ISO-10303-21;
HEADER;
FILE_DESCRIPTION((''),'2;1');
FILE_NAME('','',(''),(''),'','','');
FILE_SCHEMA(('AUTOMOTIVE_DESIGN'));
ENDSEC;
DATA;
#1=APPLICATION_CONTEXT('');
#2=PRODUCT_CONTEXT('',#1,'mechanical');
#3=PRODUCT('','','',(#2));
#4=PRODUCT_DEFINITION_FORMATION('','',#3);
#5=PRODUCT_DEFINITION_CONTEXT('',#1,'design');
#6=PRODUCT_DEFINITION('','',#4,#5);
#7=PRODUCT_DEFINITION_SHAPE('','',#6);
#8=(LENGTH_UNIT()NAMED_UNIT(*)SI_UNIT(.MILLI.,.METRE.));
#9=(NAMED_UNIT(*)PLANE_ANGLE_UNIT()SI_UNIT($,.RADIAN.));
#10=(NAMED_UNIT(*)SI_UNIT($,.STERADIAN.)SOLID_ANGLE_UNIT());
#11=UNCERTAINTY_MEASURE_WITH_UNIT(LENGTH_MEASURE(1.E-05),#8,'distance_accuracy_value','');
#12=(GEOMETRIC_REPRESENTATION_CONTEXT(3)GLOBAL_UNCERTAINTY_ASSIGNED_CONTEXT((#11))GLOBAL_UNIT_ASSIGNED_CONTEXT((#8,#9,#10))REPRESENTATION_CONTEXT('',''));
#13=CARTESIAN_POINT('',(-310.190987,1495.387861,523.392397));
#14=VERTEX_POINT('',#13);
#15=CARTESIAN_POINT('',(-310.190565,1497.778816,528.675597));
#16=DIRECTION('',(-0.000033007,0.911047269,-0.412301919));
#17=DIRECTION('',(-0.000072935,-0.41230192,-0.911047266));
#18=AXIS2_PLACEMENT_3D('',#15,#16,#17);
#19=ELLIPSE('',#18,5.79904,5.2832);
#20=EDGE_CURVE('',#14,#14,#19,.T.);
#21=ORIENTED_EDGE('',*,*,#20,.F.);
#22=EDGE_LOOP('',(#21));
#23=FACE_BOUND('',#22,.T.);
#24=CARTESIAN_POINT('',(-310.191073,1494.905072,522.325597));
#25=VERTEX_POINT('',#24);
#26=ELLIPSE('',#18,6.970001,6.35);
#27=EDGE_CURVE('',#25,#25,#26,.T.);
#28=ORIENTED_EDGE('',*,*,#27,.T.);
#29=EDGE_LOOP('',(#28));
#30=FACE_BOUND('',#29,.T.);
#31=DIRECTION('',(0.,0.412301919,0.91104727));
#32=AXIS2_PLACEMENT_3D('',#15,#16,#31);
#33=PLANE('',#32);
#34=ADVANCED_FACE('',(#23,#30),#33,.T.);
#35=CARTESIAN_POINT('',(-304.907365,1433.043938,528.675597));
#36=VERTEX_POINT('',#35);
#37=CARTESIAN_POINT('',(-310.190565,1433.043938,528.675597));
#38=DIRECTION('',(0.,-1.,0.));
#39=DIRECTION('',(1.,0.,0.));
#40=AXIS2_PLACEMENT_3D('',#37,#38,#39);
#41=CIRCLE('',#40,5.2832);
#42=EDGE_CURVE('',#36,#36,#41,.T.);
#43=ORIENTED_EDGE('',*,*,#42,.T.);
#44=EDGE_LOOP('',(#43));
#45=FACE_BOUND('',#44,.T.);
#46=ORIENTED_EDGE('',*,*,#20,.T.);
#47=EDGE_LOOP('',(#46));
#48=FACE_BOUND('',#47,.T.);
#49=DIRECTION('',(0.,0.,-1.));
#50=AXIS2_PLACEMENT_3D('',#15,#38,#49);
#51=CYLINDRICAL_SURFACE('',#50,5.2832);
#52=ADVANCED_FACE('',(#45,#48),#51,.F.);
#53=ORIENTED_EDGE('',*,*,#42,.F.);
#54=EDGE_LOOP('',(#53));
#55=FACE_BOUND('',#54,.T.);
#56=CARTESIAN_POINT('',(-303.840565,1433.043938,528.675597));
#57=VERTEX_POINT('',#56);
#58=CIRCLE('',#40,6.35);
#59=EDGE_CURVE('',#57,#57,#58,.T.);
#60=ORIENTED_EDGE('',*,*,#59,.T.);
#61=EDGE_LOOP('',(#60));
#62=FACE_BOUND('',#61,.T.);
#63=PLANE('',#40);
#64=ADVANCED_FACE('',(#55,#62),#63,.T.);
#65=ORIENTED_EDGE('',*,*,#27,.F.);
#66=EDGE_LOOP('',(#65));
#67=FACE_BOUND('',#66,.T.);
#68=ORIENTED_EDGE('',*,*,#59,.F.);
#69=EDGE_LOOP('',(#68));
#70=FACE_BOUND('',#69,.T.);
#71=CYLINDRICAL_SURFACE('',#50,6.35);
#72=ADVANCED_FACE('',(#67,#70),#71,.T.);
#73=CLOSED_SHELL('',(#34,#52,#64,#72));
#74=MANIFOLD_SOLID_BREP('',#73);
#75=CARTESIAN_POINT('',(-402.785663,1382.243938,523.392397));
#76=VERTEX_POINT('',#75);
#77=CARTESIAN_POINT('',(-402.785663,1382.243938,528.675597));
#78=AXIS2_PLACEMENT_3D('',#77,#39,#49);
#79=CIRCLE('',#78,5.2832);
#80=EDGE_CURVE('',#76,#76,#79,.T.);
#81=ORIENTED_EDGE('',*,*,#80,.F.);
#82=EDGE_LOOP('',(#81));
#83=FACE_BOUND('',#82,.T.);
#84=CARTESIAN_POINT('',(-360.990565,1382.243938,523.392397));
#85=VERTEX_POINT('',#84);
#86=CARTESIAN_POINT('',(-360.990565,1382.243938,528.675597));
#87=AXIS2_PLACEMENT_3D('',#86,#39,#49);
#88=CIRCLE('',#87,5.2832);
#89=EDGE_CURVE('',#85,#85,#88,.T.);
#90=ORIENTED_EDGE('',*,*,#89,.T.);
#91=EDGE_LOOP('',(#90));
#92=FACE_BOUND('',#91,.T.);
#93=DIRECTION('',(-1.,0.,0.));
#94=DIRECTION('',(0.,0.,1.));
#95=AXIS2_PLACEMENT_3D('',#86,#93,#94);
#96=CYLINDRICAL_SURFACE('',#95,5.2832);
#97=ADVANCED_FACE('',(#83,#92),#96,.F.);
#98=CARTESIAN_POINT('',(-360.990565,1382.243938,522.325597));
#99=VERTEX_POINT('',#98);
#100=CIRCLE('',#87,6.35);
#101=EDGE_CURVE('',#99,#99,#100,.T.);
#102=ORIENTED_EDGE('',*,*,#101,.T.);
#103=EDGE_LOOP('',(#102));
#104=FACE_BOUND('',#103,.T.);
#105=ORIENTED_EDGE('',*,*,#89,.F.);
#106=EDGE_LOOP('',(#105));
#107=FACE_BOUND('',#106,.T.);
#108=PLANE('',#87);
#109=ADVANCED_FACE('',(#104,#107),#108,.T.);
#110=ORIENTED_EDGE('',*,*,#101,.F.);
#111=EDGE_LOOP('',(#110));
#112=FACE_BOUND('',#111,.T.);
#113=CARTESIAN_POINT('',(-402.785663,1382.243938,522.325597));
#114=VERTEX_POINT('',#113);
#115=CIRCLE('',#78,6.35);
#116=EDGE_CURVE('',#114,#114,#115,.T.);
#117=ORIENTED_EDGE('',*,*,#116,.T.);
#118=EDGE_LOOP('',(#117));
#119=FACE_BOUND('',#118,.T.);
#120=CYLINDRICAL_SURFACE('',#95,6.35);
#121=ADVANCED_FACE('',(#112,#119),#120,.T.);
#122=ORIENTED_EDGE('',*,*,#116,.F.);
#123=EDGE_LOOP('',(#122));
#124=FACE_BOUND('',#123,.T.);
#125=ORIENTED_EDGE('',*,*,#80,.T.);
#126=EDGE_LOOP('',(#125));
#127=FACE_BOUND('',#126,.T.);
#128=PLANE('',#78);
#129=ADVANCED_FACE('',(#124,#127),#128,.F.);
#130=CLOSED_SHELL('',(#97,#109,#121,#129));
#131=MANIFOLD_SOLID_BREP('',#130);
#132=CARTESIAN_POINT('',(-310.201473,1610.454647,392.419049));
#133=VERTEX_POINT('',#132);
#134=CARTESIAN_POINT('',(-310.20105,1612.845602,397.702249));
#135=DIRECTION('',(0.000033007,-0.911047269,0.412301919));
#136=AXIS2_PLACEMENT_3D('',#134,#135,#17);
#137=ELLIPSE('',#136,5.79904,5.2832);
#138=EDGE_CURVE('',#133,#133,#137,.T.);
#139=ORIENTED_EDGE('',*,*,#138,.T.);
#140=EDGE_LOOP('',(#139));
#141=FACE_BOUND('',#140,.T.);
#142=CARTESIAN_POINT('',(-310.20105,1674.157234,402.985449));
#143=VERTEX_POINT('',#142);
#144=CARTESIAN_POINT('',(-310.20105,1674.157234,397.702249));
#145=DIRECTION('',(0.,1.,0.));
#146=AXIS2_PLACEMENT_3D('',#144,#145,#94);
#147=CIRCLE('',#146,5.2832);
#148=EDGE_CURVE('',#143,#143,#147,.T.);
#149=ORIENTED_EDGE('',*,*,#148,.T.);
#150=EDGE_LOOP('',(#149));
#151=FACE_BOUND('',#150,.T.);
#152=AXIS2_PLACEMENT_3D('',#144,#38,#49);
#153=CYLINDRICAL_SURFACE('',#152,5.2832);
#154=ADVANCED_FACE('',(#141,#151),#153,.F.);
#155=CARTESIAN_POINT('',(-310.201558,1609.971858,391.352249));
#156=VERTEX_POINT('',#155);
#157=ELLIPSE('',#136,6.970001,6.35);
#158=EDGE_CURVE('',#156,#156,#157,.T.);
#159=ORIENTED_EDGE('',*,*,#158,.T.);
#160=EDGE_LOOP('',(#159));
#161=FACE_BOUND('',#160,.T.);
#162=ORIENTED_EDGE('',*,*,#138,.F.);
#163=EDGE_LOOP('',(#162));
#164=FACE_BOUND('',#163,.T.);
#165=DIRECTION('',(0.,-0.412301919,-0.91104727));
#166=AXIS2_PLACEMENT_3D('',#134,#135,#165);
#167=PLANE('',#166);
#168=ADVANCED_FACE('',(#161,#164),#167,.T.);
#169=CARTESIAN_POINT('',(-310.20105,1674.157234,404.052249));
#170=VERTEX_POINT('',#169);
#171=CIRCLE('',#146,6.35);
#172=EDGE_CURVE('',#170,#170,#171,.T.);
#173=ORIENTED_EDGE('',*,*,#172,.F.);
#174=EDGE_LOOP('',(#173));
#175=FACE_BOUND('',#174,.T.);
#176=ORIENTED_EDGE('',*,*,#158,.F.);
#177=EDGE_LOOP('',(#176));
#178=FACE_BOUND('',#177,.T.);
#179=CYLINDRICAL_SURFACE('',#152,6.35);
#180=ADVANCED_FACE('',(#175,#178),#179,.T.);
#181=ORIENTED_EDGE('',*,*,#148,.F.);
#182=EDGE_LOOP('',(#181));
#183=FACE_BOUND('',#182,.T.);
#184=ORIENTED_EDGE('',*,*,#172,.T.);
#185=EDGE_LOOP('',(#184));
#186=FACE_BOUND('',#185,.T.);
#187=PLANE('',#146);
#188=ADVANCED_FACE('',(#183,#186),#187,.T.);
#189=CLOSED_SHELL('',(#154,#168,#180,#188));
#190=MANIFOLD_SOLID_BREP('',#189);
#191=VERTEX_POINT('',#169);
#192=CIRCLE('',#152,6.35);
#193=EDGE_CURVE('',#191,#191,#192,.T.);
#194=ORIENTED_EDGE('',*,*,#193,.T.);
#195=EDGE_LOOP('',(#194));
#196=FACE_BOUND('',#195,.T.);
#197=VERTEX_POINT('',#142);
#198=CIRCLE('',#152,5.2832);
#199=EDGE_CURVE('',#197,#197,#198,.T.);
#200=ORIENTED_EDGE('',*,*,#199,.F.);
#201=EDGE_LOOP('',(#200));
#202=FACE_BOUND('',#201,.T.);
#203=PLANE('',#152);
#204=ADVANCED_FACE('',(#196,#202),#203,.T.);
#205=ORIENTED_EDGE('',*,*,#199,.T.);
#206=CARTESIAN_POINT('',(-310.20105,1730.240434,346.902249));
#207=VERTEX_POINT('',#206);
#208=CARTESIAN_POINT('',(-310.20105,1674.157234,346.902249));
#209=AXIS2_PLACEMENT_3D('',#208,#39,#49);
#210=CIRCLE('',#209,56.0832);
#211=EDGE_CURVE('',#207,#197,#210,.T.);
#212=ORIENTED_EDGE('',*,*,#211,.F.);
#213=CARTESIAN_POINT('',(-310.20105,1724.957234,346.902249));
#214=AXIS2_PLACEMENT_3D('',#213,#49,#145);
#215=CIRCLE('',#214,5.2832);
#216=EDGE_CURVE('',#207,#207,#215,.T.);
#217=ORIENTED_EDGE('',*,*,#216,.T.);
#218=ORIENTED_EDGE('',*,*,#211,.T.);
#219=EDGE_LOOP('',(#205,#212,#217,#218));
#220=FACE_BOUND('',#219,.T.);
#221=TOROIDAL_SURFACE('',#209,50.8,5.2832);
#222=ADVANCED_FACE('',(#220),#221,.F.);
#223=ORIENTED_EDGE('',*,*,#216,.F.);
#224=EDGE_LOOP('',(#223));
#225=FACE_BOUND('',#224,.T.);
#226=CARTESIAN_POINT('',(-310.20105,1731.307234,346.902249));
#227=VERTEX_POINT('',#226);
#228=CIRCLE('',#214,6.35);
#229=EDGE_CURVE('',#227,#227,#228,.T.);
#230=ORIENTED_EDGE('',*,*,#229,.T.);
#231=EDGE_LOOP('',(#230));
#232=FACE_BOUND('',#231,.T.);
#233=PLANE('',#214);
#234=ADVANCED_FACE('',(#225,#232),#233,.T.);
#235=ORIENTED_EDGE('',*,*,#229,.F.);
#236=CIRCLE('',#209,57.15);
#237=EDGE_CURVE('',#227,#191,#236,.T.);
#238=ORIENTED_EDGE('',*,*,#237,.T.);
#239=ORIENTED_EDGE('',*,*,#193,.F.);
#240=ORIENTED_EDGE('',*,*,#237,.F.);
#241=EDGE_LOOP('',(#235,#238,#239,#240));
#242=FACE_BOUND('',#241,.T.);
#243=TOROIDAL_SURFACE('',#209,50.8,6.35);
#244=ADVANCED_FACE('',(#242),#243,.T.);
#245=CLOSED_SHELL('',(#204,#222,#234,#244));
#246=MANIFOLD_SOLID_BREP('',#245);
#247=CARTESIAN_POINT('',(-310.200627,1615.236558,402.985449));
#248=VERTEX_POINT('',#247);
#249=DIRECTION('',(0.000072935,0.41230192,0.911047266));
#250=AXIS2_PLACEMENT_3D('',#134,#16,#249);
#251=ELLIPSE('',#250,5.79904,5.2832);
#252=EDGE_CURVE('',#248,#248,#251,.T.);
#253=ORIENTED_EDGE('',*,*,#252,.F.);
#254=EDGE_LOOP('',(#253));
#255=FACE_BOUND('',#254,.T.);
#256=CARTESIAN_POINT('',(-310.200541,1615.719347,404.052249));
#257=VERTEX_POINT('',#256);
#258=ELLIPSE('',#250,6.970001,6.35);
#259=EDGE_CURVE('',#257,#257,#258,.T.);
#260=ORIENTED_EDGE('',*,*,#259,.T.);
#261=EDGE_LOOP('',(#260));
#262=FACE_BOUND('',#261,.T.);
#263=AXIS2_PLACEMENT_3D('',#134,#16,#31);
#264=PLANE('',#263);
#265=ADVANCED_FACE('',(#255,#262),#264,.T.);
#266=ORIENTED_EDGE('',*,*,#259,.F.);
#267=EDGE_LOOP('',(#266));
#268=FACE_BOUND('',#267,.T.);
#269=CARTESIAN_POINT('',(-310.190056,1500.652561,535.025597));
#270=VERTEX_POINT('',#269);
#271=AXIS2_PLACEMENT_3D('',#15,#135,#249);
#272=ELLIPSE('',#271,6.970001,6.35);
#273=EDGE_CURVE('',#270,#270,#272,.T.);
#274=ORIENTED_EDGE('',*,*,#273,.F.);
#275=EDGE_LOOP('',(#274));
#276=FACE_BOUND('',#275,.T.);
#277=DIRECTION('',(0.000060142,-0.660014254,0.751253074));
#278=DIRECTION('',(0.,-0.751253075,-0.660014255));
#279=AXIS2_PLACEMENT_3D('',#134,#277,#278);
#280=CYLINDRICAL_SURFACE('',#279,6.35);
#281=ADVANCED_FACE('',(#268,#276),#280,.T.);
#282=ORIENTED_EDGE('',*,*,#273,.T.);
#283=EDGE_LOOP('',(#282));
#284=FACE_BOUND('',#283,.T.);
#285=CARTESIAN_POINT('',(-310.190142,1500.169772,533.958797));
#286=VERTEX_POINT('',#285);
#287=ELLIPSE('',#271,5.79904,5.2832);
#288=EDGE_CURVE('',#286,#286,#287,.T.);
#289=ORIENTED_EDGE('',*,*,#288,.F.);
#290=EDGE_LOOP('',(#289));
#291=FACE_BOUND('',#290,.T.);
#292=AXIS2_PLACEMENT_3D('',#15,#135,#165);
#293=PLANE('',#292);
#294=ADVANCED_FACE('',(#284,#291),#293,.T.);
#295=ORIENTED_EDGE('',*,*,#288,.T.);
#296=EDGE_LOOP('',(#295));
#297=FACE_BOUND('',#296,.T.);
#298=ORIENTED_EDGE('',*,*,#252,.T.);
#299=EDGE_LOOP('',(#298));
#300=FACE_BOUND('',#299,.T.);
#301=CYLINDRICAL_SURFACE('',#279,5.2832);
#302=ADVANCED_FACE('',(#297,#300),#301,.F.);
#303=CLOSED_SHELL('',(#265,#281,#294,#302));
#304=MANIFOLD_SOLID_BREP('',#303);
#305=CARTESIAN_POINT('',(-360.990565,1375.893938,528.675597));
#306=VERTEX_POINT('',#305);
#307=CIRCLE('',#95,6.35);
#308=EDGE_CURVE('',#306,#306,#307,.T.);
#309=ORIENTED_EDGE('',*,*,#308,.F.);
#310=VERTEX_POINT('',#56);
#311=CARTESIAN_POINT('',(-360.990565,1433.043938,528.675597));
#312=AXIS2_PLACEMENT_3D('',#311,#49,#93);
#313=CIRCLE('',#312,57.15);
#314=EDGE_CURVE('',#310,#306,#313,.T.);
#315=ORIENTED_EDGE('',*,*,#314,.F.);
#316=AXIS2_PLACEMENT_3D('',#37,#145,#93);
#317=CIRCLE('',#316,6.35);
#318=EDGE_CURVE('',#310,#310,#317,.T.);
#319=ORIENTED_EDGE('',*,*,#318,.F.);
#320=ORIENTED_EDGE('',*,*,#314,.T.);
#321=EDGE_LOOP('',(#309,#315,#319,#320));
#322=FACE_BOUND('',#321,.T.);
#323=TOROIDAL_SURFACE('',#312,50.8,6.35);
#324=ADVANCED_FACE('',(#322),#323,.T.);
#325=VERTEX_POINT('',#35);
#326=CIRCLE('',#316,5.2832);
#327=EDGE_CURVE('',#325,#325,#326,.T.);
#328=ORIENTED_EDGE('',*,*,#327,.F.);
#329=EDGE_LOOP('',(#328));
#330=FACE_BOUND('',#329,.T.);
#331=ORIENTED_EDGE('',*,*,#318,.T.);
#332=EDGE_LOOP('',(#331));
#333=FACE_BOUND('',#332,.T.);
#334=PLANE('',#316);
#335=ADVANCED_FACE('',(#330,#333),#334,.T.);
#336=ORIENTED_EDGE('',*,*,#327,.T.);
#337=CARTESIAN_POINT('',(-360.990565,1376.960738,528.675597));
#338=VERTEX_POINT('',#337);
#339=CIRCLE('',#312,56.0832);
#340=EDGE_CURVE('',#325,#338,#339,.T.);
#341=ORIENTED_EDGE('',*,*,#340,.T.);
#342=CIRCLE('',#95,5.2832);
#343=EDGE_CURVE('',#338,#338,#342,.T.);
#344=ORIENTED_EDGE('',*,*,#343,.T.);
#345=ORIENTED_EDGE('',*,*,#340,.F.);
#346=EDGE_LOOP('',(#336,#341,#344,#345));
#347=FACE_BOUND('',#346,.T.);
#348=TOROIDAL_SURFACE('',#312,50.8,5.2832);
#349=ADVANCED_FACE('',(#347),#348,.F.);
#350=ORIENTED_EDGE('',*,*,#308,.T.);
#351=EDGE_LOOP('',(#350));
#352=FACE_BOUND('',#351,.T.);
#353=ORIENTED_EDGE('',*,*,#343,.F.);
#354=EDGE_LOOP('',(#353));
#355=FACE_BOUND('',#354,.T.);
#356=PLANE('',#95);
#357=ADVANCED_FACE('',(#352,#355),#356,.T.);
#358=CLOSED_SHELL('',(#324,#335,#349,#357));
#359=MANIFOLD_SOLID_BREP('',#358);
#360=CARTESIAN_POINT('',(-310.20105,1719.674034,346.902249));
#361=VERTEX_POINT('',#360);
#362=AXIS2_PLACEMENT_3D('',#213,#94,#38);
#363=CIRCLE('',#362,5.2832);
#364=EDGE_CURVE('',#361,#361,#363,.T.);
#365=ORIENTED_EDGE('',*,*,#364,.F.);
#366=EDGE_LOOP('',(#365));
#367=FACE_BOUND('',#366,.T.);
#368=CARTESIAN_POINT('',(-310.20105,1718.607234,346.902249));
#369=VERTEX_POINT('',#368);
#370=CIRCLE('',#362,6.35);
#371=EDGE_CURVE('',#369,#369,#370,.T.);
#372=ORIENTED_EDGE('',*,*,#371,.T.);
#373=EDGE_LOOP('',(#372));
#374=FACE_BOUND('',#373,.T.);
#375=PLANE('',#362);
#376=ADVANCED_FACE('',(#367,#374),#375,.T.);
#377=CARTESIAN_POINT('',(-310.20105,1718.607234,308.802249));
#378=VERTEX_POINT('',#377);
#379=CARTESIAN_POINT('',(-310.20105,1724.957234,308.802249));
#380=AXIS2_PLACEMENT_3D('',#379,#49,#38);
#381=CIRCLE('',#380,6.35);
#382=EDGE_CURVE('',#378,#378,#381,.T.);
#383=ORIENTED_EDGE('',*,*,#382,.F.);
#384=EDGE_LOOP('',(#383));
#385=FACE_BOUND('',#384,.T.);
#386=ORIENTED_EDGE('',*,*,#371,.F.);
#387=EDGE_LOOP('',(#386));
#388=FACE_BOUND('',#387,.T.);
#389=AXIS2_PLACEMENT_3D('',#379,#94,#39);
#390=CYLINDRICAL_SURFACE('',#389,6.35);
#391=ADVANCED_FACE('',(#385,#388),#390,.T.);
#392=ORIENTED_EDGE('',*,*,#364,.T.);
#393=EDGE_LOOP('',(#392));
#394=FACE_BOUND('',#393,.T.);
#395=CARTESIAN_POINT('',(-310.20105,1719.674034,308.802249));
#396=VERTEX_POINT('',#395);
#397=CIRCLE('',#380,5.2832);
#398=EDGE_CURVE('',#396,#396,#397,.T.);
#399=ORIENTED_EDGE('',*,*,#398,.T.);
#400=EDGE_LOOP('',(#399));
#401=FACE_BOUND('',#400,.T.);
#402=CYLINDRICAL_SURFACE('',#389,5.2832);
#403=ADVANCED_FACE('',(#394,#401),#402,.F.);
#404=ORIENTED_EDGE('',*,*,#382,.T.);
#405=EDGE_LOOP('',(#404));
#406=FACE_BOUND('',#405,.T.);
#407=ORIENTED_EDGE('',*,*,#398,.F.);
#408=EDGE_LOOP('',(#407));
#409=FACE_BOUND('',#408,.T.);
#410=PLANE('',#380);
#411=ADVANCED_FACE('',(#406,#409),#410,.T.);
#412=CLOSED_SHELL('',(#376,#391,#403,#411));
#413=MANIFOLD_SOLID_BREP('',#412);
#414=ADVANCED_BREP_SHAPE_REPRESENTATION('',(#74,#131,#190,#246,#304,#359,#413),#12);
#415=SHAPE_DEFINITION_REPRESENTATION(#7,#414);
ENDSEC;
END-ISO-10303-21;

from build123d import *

# Parameters (mm, degrees)
SKETCH1_R                 = 6.35
SKETCH1_R_2               = 5.2832
PIPE_0_5_SCH_40_1_DEPTH   = 41.795098371
SKETCH1_ON_SEGMENT_2_R    = 6.35
SKETCH1_ON_SEGMENT_2_R_2  = 5.2832
PIPE_0_5_SCH_40_1_2_ANGLE = 90
SKETCH1_ON_SEGMENT_3_R    = 6.35
SKETCH1_ON_SEGMENT_3_R_2  = 5.2832
PIPE_0_5_SCH_40_1_3_DEPTH = 69.79896702
SKETCH1_ON_SEGMENT_4_R    = 6.35
SKETCH1_ON_SEGMENT_4_R_2  = 5.2832
PIPE_0_5_SCH_40_1_4_DEPTH = 184.468027015
SKETCH1_ON_SEGMENT_5_R    = 6.35
SKETCH1_ON_SEGMENT_5_R_2  = 5.2832
PIPE_0_5_SCH_40_1_5_DEPTH = 66.375720213
SKETCH1_ON_SEGMENT_6_R    = 6.35
SKETCH1_ON_SEGMENT_6_R_2  = 5.2832
PIPE_0_5_SCH_40_1_6_ANGLE = 90
SKETCH1_ON_SEGMENT_7_R    = 6.35
SKETCH1_ON_SEGMENT_7_R_2  = 5.2832
PIPE_0_5_SCH_40_1_7_DEPTH = 38.1


with BuildPart() as part:
    # Sketch1 → Pipe 0.5 SCH 40(1) (new body)
    with BuildSketch(Plane(origin=(-402.785662915, 1382.243937985, 528.675597351), x_dir=(0, 0, -1), z_dir=(1, 0, 0))):
        Circle(SKETCH1_R)
        Circle(SKETCH1_R_2, mode=Mode.SUBTRACT)
    extrude(amount=PIPE_0_5_SCH_40_1_DEPTH)


with BuildPart() as body_2:
    # Sketch1 on segment 2 (carried to the start of arc 2) → Pipe 0.5 SCH 40_1 2 (revolve)
    with BuildSketch(Plane(origin=(-360.990564544, 1382.243937985, 528.675597351), x_dir=(0, 0, -1), z_dir=(1, 0, 0))):
        Circle(SKETCH1_ON_SEGMENT_2_R)
        Circle(SKETCH1_ON_SEGMENT_2_R_2, mode=Mode.SUBTRACT)
    revolve(axis=Axis((-360.990564544, 1433.043937985, 528.675597351), (0, 0, 1)), revolution_arc=PIPE_0_5_SCH_40_1_2_ANGLE)


with BuildPart() as body_3:
    # Sketch1 on segment 3 (carried to segment 3) → Pipe 0.5 SCH 40_1 3 (new body)
    with BuildSketch(Plane(origin=(-310.190564544, 1433.043937985, 528.675597351), x_dir=(0, 0, -1), z_dir=(0, 1, 0))):
        Circle(SKETCH1_ON_SEGMENT_3_R)
        Circle(SKETCH1_ON_SEGMENT_3_R_2, mode=Mode.SUBTRACT)
    extrude(amount=PIPE_0_5_SCH_40_1_3_DEPTH)

    # Pipe 0.5 SCH 40_1 3 mitre 1
    split(bisect_by=Plane(origin=(-310.190564544, 1497.778816385, 528.675597351), x_dir=(0.999999999, 3.623e-05, 0), z_dir=(3.3007e-05, -0.911047269, 0.412301919)), keep=Keep.TOP)


with BuildPart() as body_4:
    # Sketch1 on segment 4 (carried to segment 4) → Pipe 0.5 SCH 40_1 4 (new body)
    with BuildSketch(Plane(origin=(-310.190259977, 1494.436445714, 532.480009494), x_dir=(-0.751253074, -0.49586756, -0.435584873), z_dir=(-6.0142e-05, 0.660014254, -0.751253074))):
        Circle(SKETCH1_ON_SEGMENT_4_R)
        Circle(SKETCH1_ON_SEGMENT_4_R_2, mode=Mode.SUBTRACT)
    extrude(amount=PIPE_0_5_SCH_40_1_4_DEPTH)

    # Pipe 0.5 SCH 40_1 4 mitre 1
    split(bisect_by=Plane(origin=(-310.190564544, 1497.778816385, 528.675597351), x_dir=(-0.999999999, -3.623e-05, 0), z_dir=(-3.3007e-05, 0.911047269, -0.412301919)), keep=Keep.TOP)

    # Pipe 0.5 SCH 40_1 4 mitre 2
    split(bisect_by=Plane(origin=(-310.201049777, 1612.845602233, 397.702249283), x_dir=(0.999999999, 3.623e-05, 0), z_dir=(3.3007e-05, -0.911047269, 0.412301919)), keep=Keep.TOP)


with BuildPart() as body_5:
    # Sketch1 on segment 5 (carried to segment 5) → Pipe 0.5 SCH 40_1 5 (new body)
    with BuildSketch(Plane(origin=(-310.201049777, 1607.781513613, 397.702249283), x_dir=(0, 0, -1), z_dir=(0, 1, 0))):
        Circle(SKETCH1_ON_SEGMENT_5_R)
        Circle(SKETCH1_ON_SEGMENT_5_R_2, mode=Mode.SUBTRACT)
    extrude(amount=PIPE_0_5_SCH_40_1_5_DEPTH)

    # Pipe 0.5 SCH 40_1 5 mitre 1
    split(bisect_by=Plane(origin=(-310.201049777, 1612.845602233, 397.702249283), x_dir=(-0.999999999, -3.623e-05, 0), z_dir=(-3.3007e-05, 0.911047269, -0.412301919)), keep=Keep.TOP)


with BuildPart() as body_6:
    # Sketch1 on segment 6 (carried to the start of arc 6) → Pipe 0.5 SCH 40_1 6 (revolve)
    with BuildSketch(Plane(origin=(-310.201049777, 1674.157233826, 397.702249283), x_dir=(0, 0, -1), z_dir=(0, 1, 0))):
        Circle(SKETCH1_ON_SEGMENT_6_R)
        Circle(SKETCH1_ON_SEGMENT_6_R_2, mode=Mode.SUBTRACT)
    revolve(axis=Axis((-310.201049777, 1674.157233826, 346.902249283), (-1, 0, 0)), revolution_arc=PIPE_0_5_SCH_40_1_6_ANGLE)


with BuildPart() as body_7:
    # Sketch1 on segment 7 (carried to segment 7) → Pipe 0.5 SCH 40_1 7 (new body)
    with BuildSketch(Plane(origin=(-310.201049777, 1724.957233826, 346.902249283), x_dir=(-1, 0, 0), z_dir=(0, 0, -1))):
        Circle(SKETCH1_ON_SEGMENT_7_R)
        Circle(SKETCH1_ON_SEGMENT_7_R_2, mode=Mode.SUBTRACT)
    extrude(amount=PIPE_0_5_SCH_40_1_7_DEPTH)


solid = Compound([part.part, body_2.part, body_3.part, body_4.part, body_5.part, body_6.part, body_7.part])
